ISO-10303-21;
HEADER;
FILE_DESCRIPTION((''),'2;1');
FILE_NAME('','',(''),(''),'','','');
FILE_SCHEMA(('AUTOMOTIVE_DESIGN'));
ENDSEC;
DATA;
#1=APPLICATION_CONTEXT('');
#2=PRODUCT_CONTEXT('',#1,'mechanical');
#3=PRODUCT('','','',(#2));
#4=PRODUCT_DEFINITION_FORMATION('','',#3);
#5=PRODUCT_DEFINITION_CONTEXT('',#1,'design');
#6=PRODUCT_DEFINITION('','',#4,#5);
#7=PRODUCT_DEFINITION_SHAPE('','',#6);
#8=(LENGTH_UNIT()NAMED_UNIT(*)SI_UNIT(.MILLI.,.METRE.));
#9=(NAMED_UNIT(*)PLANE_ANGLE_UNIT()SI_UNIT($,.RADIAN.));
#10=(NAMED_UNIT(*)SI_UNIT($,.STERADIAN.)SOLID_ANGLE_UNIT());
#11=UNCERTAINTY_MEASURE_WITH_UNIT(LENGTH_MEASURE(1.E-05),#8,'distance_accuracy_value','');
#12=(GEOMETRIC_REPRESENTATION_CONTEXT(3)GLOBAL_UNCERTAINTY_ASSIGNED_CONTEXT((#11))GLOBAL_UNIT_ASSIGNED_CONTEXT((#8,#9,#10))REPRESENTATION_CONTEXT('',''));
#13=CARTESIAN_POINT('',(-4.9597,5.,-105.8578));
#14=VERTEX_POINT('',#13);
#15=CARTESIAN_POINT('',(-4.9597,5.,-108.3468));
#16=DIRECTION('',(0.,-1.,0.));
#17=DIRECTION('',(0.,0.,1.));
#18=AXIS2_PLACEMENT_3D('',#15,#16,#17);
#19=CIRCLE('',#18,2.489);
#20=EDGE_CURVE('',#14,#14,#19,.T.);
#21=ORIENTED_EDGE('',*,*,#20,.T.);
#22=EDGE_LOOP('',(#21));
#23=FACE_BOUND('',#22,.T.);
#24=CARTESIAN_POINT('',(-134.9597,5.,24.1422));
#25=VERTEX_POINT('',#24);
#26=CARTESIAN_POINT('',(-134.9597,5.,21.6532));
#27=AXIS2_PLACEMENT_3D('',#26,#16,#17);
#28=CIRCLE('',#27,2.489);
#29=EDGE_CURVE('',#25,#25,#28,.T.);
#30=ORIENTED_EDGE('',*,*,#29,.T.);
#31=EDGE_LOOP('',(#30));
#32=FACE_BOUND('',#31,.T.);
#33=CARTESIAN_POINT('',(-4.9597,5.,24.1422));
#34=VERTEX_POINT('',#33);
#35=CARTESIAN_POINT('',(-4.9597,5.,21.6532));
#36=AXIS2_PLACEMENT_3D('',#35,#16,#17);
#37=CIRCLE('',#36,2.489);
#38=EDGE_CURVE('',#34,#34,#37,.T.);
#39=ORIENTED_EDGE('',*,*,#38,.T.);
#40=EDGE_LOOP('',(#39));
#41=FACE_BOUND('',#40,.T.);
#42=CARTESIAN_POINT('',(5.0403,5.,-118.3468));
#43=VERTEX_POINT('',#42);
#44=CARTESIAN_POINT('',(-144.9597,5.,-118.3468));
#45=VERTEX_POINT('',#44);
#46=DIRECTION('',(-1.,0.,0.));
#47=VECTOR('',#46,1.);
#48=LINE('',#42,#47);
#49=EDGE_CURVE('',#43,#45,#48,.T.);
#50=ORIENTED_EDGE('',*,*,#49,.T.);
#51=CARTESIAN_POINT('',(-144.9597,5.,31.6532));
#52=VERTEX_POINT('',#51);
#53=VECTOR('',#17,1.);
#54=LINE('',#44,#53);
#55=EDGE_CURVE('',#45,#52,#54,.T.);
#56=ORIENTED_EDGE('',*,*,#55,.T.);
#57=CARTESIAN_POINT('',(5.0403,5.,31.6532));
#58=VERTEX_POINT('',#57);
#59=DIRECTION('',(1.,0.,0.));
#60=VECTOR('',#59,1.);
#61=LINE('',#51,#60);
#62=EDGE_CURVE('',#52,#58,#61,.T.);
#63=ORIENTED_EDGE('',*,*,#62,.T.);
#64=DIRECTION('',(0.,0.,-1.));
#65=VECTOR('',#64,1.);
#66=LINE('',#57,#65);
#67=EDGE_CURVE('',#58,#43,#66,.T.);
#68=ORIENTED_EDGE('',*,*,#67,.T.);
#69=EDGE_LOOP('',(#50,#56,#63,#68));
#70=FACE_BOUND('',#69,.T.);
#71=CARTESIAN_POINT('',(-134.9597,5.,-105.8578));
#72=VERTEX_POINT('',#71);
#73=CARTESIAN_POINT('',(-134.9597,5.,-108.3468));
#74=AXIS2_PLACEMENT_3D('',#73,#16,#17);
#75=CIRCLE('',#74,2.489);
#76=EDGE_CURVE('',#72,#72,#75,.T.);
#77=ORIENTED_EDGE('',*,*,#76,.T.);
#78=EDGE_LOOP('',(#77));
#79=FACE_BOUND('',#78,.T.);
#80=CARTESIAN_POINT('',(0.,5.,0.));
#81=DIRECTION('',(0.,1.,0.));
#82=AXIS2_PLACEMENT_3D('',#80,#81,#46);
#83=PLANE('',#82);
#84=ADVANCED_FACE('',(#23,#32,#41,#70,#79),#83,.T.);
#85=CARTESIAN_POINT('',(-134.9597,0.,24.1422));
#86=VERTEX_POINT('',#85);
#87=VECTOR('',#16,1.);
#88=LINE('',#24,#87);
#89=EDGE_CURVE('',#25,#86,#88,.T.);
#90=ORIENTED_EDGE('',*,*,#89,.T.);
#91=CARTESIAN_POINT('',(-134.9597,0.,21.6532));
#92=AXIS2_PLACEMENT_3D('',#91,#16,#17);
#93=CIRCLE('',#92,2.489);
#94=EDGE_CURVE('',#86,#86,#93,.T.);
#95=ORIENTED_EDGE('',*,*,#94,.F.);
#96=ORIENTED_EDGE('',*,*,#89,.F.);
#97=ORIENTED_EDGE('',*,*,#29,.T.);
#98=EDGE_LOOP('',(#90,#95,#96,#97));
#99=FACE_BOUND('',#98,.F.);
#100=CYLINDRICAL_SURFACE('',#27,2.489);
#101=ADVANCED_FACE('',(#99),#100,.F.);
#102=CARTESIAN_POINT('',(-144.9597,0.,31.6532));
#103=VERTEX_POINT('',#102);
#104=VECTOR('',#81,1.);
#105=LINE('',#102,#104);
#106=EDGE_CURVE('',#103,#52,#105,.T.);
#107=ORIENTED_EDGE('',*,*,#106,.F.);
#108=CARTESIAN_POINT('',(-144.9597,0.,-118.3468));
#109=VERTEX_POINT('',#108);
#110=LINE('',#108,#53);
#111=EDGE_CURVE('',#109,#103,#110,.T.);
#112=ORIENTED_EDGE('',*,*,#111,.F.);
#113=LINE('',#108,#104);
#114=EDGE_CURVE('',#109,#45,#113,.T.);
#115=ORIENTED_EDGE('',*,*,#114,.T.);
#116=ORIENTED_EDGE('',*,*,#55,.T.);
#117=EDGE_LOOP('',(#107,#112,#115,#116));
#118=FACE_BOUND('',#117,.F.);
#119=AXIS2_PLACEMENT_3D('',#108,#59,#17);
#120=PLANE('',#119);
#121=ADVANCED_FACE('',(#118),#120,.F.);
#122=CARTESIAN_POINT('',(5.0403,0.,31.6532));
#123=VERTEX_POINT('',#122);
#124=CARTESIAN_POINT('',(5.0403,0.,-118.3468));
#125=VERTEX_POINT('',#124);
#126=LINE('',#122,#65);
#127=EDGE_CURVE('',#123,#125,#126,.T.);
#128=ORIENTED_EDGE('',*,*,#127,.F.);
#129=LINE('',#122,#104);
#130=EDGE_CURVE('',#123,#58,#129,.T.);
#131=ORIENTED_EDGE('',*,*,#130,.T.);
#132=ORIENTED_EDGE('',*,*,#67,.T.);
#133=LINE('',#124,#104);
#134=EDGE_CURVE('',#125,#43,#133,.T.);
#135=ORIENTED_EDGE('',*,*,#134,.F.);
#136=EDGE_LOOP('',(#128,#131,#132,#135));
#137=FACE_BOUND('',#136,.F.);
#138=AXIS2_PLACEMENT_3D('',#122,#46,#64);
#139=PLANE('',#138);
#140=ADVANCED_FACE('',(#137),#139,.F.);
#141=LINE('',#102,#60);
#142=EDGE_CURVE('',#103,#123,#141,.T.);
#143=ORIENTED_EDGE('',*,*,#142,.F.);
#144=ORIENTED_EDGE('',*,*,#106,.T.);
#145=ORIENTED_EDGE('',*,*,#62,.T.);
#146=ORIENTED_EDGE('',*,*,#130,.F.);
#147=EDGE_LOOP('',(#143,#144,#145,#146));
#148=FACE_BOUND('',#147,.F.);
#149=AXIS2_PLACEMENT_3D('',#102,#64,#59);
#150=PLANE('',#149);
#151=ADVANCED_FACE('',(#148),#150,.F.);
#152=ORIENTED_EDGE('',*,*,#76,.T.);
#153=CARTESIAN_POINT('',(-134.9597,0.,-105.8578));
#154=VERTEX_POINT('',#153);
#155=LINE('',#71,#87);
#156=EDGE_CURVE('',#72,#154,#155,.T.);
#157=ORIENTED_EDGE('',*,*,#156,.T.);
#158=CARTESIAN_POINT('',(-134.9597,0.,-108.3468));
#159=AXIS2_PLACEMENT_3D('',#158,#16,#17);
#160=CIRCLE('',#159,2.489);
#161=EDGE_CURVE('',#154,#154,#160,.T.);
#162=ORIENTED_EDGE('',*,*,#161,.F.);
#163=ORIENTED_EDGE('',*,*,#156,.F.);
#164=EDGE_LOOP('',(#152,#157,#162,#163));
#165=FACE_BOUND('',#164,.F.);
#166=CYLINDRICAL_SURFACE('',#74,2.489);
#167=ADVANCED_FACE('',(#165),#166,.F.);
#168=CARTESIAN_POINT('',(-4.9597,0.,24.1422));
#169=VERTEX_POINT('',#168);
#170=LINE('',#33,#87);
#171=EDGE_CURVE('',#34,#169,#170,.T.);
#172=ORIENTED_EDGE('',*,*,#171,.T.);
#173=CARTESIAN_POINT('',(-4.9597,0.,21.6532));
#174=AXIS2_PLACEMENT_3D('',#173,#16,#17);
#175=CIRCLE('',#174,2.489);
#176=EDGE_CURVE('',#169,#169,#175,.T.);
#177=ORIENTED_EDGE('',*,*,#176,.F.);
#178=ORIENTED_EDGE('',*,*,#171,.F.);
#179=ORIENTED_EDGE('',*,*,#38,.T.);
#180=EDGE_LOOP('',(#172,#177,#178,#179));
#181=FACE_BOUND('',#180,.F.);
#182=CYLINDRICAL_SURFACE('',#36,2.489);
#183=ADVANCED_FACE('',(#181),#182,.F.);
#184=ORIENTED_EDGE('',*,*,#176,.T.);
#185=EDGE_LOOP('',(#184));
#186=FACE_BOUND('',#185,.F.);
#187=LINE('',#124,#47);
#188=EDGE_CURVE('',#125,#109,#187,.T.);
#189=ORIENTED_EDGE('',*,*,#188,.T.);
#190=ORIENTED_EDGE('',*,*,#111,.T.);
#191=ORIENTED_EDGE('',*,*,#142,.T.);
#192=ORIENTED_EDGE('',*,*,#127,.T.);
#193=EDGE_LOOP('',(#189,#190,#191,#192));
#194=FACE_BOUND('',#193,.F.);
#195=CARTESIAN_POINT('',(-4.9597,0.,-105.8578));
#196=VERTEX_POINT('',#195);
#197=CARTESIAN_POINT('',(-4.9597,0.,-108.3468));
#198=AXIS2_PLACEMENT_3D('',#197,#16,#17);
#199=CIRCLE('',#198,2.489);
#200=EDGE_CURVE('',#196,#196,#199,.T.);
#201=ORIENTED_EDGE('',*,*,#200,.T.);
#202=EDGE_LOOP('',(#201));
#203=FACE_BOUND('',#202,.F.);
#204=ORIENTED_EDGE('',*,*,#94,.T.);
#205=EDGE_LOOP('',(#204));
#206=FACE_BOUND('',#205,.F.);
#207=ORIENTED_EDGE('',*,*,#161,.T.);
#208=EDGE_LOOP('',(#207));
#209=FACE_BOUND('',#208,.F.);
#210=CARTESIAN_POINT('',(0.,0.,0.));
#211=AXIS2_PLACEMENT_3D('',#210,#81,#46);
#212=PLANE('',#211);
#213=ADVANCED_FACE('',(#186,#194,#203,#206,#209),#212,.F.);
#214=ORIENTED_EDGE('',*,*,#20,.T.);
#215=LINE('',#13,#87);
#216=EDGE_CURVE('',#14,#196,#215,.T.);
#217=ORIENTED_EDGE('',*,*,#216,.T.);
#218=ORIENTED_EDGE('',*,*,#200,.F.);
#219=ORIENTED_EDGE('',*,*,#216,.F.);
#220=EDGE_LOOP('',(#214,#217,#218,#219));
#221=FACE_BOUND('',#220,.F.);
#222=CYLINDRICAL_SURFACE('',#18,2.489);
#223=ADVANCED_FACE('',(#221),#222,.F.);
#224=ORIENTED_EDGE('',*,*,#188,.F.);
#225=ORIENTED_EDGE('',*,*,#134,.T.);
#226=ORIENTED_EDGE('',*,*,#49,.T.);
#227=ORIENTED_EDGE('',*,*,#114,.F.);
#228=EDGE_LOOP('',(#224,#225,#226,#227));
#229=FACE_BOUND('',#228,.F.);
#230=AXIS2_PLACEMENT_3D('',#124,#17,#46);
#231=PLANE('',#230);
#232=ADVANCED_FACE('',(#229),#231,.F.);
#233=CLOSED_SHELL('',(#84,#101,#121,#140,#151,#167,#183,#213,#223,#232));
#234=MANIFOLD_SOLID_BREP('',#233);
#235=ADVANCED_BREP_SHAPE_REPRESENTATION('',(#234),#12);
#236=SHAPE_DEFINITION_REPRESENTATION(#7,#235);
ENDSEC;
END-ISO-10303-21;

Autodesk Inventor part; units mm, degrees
ref_plane "YZ Plane" through (0, 0, 0) normal (1, 0, 0) x (0, 1, 0)
ref_plane "XZ Plane" through (0, 0, 0) normal (0, 1, 0) x (-1, 0, 0)
ref_plane "XY Plane" through (0, 0, 0) normal (0, 0, 1) x (1, 0, 0)
sketch "Skizze1" plane through (0, 0, 0) normal (0, 1, 0) x (-1, 0, 0)
  line L0 (144.9597, 31.6532) -> (-5.0403, 31.6532)
  line L1 (-5.0403, 31.6532) -> (-5.0403, -118.3468)
  line L2 (-5.0403, -118.3468) -> (144.9597, -118.3468)
  line L3 (144.9597, -118.3468) -> (144.9597, 31.6532)
  line L4 (144.9597, 31.6532) -> (-5.0403, -118.3468) construction
  line L5 (-5.0403, 31.6532) -> (144.9597, -118.3468) construction
  point P0 (0, 0)
  point P1 (69.9597, -43.3468)
  dimension "d0" = 150
  dimension "d1" = 150
extrude "Extrusion1" add sketch "Skizze1" along normal blind 5
sketch "Skizze2" plane through (0, 5, 0) normal (0, 1, 0) x (1, 0, 0)
  circle A0 centre (-134.9597, -21.6532) radius 2.5
  circle A1 centre (-134.9597, 108.3468) radius 2.5
  circle A2 centre (-4.9597, -21.6532) radius 2.5
  circle A3 centre (-4.9597, 108.3468) radius 2.5
  line L0 (-144.9597, 118.3468) -> (-144.9597, -31.6532) projected
  line L1 (-144.9597, -31.6532) -> (5.0403, -31.6532) projected
  line L2 (5.0403, 118.3468) -> (-144.9597, 118.3468) projected
  line L3 (5.0403, -31.6532) -> (5.0403, 118.3468) projected
  point P0 (0, 0)
  dimension "d4" = 5
  dimension "d5" = 5
  dimension "d6" = 5
  dimension "d7" = 5
  dimension "d8" = 10
  dimension "d9" = 10
  dimension "d15" = 10
  dimension "d16" = 10
  dimension "d17" = 10
  dimension "d18" = 10
  dimension "d19" = 10
  dimension "d20" = 10
hole "Bohrung1" at (-134.9597, 5, 21.6532) at (-134.9597, 5, -108.3468) at (-4.9597, 5, -108.3468) at (-4.9597, 5, 21.6532) direction (0, -1, 0) diameter 4.978 depth 19.05 tip angle 118 thread size "1/4-20 UNC" class "2B" standard "ANSI Unified Screw Threads"
properties part number "Grundplatte"
